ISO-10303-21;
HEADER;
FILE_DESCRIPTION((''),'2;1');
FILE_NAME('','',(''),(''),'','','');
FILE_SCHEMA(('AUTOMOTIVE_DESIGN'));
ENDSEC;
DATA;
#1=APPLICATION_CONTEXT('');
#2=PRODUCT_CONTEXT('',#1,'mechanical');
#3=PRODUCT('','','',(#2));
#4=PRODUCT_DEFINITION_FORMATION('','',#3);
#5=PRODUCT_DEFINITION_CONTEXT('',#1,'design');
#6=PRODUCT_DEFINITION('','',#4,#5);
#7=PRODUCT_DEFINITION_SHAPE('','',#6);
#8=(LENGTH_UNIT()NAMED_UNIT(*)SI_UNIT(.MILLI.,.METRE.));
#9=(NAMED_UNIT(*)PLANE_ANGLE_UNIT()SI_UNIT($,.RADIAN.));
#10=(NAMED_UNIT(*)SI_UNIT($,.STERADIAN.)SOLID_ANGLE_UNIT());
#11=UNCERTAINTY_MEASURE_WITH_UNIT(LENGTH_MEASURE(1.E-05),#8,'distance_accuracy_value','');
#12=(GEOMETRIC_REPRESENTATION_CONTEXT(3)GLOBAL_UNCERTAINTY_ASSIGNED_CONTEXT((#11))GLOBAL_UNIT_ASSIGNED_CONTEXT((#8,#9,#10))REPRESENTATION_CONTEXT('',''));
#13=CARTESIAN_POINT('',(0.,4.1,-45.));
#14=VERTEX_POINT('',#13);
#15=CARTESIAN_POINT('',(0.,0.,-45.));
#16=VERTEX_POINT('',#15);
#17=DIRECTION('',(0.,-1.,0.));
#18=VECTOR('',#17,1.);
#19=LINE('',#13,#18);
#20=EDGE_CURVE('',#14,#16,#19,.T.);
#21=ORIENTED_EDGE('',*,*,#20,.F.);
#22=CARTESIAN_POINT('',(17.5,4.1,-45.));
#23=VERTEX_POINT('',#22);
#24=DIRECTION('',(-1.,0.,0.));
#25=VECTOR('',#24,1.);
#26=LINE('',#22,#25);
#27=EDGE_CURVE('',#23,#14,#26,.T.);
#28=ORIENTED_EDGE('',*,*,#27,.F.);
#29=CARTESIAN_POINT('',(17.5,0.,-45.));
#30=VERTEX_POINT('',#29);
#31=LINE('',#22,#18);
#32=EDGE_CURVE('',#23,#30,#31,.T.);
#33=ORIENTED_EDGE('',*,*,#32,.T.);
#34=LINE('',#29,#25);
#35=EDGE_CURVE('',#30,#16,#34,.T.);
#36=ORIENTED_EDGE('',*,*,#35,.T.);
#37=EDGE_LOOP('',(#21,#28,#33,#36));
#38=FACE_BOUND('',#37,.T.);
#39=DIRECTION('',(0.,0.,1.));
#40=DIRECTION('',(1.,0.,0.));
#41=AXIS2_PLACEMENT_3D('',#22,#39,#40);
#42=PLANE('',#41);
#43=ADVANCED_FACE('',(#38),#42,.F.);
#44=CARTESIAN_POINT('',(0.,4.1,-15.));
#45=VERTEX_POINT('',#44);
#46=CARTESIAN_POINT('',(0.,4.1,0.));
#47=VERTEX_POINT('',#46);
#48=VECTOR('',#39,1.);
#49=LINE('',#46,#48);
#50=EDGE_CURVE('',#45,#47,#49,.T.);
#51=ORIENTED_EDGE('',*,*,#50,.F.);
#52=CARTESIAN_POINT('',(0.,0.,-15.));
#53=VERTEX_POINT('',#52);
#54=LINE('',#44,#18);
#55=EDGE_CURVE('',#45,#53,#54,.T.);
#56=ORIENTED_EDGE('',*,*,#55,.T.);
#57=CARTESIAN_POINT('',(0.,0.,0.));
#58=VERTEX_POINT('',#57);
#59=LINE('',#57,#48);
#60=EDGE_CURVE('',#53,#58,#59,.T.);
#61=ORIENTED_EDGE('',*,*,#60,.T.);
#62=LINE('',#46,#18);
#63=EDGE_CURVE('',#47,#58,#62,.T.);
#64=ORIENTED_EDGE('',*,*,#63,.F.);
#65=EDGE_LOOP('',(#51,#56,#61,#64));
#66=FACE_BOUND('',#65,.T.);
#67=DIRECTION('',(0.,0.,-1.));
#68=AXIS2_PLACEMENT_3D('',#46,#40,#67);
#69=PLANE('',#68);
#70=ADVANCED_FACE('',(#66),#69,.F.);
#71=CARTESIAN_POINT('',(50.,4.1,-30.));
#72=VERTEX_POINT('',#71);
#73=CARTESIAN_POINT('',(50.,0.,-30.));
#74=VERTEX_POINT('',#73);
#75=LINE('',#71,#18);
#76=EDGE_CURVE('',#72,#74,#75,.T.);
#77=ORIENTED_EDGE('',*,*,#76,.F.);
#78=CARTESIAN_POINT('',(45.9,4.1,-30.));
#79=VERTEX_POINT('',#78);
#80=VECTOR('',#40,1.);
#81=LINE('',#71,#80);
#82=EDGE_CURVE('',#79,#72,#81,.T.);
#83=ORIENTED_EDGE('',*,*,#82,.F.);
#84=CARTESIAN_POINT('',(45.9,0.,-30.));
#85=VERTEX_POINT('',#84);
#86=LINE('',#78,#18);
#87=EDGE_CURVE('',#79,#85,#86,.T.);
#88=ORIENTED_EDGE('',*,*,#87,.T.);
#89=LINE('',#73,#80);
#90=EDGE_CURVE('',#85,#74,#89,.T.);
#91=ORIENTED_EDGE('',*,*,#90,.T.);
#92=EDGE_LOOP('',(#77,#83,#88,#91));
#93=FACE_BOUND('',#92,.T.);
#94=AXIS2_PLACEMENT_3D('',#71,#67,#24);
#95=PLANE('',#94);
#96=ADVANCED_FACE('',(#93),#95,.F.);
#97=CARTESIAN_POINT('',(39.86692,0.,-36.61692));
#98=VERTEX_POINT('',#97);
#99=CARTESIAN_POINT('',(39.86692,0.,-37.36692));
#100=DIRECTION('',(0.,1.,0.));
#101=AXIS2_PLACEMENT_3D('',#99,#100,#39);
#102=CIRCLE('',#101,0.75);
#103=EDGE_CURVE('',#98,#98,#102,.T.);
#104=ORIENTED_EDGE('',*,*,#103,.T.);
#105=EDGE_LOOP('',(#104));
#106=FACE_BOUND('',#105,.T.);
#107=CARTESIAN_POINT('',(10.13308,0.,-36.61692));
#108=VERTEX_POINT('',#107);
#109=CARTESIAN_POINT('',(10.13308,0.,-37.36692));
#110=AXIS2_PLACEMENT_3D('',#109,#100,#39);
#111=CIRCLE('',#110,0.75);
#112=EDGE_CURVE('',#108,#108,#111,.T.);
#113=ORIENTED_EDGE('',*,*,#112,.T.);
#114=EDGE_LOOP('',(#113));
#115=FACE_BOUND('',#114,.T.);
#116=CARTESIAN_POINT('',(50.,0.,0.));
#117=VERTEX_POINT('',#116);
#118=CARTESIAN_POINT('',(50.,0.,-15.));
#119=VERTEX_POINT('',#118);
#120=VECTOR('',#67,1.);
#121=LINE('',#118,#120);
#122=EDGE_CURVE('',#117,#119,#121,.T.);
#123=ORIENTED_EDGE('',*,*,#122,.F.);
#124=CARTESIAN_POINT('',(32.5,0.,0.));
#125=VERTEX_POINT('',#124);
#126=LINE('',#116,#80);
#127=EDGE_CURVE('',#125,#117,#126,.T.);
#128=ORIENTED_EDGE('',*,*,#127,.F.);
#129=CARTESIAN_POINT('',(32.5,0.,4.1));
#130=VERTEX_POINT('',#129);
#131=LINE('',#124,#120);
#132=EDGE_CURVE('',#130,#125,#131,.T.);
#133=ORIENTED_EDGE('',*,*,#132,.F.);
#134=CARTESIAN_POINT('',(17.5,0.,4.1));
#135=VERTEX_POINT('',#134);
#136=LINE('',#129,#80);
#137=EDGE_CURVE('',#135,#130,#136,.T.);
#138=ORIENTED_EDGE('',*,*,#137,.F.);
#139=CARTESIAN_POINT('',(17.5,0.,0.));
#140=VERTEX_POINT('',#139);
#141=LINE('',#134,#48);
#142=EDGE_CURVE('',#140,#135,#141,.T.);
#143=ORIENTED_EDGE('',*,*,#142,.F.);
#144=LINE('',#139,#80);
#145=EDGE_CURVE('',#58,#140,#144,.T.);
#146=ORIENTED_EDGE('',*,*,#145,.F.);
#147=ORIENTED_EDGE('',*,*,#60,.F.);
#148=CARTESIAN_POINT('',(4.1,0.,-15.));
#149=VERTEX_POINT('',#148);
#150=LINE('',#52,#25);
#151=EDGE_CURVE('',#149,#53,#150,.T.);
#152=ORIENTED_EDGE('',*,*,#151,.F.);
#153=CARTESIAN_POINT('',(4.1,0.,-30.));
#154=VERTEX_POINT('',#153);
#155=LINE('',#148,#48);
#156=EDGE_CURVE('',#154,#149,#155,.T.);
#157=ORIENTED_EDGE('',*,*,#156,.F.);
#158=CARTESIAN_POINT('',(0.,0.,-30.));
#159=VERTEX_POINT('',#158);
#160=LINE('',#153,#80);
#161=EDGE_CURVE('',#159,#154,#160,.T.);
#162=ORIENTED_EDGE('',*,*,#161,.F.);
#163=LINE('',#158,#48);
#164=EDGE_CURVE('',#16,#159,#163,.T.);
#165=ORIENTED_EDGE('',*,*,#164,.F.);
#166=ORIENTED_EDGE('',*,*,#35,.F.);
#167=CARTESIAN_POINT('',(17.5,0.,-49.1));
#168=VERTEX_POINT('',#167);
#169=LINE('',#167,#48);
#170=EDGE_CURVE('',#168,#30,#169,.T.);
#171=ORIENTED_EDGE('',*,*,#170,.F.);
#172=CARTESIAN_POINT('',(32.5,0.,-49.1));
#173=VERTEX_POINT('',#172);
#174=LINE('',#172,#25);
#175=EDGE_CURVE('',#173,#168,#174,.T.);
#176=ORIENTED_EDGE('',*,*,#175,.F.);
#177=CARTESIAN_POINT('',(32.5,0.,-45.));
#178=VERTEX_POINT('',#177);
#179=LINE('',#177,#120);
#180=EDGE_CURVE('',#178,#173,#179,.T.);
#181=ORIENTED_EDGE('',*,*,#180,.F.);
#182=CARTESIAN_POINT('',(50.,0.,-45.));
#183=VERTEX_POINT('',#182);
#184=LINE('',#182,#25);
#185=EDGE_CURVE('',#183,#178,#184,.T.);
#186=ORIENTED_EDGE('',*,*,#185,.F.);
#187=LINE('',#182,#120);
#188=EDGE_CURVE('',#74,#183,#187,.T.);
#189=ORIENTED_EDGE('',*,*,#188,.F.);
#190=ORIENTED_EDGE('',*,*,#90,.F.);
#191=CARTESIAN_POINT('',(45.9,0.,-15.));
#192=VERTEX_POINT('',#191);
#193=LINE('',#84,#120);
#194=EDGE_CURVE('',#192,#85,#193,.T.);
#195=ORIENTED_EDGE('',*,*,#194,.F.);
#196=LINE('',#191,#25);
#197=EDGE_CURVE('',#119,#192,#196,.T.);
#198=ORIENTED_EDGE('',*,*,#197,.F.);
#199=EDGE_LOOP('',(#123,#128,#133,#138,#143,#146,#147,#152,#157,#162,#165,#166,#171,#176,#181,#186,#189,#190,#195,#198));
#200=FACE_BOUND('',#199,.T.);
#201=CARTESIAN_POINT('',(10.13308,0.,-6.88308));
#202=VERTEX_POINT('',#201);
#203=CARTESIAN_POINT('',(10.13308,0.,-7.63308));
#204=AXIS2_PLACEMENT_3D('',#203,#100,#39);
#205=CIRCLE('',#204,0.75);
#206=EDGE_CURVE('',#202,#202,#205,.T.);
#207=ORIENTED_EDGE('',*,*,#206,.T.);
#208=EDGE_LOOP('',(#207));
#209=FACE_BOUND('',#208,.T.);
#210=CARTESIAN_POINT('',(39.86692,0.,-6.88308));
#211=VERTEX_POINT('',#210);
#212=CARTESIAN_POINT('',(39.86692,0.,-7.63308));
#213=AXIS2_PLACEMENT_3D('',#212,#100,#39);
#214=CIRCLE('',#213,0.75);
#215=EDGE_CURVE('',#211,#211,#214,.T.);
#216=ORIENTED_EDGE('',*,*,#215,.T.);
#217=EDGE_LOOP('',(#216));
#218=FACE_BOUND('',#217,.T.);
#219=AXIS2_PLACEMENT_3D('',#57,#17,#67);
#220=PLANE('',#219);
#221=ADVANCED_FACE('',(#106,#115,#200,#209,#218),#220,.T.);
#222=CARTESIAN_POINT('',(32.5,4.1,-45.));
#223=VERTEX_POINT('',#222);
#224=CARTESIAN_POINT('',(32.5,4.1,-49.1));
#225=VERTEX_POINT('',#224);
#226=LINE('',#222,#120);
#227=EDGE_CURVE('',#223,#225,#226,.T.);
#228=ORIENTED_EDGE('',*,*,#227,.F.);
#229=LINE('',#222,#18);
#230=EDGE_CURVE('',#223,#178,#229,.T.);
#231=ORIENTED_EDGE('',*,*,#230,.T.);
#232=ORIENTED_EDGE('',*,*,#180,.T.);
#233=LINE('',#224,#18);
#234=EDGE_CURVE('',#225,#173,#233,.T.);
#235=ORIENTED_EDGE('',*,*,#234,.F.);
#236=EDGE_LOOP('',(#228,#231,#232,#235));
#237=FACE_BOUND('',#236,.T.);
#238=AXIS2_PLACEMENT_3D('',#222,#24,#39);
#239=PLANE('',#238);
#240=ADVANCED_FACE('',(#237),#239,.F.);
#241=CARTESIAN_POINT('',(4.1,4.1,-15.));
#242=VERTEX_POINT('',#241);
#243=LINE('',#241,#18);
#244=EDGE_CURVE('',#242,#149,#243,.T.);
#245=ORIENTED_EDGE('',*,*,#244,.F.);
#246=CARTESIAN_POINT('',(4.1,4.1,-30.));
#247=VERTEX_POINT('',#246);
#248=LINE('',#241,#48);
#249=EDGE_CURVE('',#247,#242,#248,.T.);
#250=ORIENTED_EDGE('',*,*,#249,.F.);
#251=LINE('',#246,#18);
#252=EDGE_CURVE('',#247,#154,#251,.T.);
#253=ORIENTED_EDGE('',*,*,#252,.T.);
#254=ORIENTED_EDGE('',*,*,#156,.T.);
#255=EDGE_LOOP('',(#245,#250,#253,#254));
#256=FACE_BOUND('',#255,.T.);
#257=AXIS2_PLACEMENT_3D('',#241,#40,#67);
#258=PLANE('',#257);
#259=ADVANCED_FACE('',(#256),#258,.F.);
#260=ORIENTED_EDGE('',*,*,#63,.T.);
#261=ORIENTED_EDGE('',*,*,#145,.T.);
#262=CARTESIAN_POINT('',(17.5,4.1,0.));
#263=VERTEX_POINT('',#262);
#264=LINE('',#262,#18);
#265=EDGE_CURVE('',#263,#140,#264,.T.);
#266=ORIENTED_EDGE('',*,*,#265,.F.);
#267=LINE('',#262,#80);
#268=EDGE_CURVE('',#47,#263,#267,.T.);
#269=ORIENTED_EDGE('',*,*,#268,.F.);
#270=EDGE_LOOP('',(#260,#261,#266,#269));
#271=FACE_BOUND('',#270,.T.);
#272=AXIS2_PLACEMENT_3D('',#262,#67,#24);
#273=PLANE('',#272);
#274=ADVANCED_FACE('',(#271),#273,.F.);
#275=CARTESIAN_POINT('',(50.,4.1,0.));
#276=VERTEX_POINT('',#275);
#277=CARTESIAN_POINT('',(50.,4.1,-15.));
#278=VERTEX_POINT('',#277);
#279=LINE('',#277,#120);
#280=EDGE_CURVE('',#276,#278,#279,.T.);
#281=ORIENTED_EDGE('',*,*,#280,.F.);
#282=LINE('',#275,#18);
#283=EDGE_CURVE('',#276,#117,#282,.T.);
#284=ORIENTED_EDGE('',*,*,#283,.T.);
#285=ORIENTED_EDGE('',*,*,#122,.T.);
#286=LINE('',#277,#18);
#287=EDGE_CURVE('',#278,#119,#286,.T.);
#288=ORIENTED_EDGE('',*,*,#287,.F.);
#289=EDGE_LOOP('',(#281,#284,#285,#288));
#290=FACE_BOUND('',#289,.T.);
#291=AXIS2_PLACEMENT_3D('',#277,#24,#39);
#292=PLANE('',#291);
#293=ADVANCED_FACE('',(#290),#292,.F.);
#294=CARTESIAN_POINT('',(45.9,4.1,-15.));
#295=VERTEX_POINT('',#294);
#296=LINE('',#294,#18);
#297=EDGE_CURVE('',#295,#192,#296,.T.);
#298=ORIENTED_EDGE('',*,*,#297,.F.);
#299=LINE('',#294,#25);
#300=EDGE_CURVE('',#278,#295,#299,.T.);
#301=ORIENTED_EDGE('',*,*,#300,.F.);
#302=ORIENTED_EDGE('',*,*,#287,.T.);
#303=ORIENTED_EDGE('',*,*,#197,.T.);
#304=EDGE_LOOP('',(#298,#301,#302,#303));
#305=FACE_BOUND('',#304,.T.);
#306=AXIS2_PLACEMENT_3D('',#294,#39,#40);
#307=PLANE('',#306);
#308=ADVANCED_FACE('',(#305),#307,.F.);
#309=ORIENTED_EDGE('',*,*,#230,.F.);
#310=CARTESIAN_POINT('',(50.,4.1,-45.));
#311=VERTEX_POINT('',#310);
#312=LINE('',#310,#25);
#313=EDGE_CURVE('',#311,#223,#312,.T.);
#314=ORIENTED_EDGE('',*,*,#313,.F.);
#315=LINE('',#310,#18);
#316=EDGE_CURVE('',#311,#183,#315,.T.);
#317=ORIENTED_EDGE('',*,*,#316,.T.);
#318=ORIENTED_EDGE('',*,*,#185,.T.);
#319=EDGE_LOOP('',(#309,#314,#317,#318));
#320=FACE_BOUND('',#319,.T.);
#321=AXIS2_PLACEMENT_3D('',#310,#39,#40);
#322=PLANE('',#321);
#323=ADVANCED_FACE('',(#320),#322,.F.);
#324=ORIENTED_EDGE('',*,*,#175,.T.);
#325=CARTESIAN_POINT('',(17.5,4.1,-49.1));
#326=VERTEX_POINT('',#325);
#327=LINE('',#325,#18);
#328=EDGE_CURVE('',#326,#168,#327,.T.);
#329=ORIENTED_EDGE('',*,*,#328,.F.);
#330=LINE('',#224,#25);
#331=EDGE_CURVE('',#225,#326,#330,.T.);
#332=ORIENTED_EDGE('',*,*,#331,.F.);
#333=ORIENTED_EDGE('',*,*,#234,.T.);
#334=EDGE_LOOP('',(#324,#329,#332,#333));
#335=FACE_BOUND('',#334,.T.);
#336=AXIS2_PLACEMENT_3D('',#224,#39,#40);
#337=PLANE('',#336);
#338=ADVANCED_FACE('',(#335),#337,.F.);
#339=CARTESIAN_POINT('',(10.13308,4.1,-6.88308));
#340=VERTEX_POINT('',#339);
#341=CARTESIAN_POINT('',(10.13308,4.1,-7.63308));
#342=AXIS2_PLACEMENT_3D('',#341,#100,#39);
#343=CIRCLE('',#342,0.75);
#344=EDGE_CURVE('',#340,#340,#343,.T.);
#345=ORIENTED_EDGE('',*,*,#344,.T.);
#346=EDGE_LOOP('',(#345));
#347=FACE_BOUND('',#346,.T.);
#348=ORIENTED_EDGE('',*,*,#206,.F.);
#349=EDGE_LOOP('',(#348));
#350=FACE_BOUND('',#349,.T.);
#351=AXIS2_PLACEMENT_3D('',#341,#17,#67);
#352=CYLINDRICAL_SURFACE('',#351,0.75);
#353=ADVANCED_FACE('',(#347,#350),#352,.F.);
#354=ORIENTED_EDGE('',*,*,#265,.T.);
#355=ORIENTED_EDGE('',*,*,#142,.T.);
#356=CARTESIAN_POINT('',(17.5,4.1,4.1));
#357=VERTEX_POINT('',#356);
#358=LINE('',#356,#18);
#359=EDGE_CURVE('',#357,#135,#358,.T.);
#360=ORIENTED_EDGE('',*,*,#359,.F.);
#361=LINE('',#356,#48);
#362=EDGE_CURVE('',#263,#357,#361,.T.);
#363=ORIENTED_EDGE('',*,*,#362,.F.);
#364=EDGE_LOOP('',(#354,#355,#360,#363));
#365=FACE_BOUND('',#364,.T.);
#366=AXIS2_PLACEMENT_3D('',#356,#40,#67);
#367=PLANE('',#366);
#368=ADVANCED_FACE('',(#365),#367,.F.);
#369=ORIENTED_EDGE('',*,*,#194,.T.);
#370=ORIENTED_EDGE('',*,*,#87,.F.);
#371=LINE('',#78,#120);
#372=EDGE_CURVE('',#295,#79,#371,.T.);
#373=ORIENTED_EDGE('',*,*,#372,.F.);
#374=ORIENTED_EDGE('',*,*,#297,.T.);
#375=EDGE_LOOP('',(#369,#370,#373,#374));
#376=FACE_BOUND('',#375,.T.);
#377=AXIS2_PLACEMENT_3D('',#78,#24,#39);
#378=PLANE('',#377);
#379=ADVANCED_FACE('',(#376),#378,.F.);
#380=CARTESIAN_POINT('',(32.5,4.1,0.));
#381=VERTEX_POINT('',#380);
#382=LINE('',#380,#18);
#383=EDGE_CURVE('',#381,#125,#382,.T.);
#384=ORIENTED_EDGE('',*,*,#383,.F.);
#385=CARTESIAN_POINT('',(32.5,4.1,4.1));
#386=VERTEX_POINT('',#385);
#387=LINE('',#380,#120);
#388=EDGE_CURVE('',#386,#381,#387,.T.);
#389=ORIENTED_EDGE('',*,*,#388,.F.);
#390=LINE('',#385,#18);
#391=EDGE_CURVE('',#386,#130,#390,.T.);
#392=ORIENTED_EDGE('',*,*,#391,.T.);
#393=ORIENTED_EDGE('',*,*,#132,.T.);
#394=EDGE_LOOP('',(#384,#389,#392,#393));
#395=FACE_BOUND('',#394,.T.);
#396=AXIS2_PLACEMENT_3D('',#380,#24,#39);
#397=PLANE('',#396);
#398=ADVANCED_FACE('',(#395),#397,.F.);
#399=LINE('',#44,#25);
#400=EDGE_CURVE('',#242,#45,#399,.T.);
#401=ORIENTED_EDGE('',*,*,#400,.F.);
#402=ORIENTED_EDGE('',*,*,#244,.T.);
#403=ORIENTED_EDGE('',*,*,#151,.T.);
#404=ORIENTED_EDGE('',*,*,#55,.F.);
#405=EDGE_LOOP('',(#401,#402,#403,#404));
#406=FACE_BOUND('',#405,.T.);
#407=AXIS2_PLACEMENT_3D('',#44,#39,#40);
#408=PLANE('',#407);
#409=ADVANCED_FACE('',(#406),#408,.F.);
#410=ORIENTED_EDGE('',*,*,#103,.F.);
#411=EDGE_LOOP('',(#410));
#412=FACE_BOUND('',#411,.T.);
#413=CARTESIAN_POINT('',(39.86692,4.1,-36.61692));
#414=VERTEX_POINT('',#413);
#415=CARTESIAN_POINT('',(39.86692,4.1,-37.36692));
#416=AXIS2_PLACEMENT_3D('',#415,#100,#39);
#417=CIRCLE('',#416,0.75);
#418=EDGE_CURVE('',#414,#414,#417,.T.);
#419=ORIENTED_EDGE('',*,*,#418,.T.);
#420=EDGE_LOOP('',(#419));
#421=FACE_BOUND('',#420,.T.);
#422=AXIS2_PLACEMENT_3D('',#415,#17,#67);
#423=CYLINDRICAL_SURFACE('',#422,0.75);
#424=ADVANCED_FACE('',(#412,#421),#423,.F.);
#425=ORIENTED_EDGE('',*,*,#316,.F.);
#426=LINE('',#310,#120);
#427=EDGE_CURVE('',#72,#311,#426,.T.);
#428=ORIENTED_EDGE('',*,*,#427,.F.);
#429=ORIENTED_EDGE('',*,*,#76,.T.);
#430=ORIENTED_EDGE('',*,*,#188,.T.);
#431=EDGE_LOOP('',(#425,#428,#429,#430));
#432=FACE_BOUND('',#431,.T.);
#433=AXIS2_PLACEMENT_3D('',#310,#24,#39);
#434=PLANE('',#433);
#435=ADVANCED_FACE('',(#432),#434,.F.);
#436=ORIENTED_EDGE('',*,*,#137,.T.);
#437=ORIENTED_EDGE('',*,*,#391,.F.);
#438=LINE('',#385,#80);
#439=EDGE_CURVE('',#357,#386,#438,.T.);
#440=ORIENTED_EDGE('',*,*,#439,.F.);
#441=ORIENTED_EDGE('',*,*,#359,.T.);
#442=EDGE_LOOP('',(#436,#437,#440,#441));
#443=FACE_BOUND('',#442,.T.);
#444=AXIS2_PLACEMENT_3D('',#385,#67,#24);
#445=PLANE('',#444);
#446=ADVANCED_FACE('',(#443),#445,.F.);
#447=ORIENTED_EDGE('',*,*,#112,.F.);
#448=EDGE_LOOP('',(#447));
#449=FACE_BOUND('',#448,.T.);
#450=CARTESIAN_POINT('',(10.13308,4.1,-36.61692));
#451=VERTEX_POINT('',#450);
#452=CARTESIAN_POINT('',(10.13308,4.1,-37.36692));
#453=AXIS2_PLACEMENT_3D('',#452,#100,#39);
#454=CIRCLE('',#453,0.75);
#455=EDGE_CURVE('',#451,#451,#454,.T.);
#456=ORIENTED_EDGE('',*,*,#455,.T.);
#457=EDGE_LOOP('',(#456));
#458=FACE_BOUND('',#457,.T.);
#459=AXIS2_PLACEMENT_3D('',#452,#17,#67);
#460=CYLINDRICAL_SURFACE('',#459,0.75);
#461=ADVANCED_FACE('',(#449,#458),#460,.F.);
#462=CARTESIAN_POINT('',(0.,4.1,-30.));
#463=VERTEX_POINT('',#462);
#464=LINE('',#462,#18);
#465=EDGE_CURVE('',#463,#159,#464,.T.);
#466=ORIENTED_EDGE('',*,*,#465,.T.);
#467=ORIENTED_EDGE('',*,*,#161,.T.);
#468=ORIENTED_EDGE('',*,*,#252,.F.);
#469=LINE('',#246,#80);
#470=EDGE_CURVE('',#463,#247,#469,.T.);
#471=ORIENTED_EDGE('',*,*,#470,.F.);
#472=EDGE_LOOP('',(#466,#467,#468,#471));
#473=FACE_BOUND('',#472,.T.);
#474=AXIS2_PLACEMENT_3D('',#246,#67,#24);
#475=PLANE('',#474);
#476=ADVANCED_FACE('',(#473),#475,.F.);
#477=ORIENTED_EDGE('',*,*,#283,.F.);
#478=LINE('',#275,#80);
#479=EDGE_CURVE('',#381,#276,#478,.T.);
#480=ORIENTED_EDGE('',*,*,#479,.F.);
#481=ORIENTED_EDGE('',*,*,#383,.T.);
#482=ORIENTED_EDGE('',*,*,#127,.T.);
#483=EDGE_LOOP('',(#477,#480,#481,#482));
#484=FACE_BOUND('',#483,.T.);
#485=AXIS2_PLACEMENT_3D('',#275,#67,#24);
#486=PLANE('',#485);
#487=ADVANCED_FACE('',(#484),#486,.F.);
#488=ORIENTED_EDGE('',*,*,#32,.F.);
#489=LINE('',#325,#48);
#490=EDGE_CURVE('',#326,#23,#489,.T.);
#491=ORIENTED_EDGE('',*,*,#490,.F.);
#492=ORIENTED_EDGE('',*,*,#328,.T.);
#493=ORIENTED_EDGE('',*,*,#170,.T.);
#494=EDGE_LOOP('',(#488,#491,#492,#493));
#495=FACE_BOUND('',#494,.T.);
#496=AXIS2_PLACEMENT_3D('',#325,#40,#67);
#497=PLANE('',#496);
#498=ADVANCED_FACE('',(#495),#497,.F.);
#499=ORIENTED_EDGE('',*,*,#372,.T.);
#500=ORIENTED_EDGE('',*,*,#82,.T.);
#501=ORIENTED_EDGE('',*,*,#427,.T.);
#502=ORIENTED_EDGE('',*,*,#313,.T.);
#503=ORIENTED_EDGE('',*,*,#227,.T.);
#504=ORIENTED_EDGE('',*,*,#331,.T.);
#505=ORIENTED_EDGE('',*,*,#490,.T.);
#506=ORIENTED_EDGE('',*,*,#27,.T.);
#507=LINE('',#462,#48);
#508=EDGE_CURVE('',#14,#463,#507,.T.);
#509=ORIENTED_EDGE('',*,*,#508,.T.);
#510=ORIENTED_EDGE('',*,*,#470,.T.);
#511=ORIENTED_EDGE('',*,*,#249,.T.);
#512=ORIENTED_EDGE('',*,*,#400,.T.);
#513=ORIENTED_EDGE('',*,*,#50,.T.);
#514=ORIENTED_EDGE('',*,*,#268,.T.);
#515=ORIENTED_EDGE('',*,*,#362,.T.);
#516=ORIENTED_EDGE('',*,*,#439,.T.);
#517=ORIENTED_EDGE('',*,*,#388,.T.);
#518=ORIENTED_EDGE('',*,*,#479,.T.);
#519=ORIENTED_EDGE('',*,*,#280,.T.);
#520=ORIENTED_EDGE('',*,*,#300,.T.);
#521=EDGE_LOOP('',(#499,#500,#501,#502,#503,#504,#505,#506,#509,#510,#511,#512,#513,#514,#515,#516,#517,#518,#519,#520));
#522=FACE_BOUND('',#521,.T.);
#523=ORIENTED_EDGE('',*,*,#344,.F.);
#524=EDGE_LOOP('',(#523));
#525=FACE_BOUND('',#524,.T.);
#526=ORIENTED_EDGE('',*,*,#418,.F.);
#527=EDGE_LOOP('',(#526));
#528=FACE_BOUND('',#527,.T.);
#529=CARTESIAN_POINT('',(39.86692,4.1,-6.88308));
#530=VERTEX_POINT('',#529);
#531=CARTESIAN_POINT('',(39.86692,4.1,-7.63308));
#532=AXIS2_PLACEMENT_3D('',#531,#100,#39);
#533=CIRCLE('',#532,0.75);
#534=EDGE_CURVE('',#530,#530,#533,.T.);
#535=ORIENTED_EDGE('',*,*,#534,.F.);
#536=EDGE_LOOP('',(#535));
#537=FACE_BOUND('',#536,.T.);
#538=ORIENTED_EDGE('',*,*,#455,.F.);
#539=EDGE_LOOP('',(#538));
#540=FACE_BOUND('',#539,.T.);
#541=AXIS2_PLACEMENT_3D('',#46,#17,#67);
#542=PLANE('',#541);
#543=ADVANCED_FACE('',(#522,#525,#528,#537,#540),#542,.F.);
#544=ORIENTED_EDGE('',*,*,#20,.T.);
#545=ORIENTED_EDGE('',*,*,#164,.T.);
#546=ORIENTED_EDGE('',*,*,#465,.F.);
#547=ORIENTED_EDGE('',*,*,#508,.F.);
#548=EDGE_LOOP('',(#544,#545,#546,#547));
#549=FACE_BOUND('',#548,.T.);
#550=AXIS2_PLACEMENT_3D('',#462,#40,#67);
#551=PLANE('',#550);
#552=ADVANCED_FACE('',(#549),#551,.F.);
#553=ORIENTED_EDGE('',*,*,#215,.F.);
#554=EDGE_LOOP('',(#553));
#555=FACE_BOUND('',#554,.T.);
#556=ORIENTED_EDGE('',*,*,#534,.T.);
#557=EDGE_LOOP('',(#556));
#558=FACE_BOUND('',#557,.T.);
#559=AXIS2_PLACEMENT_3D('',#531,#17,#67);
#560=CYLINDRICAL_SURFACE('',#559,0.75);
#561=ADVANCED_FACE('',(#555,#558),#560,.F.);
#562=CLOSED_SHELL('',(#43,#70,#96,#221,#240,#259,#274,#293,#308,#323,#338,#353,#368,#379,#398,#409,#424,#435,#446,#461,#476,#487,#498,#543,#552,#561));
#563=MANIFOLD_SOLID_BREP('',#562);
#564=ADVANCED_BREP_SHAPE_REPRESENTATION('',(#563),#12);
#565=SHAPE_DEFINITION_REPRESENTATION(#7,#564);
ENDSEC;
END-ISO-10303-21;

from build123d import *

# Parameters (mm, degrees)
SKETCH1_R           = 0.75
BOSS_EXTRUDE1_DEPTH = 4.1


with BuildPart() as part:
    # Sketch1 → Boss-Extrude1 (new body)
    with BuildSketch(Plane(origin=(0, 0, 0), x_dir=(1, 0, 0), z_dir=(0, 1, 0))):
        Polygon((0, 15), (4.1, 15), (4.1, 30), (0, 30), (0, 45), (17.5, 45), (17.5, 49.1), (32.5, 49.1), (32.5, 45), (50, 45), (50, 30), (45.9, 30), (45.9, 15), (50, 15), (50, 0), (32.5, 0), (32.5, -4.1), (17.5, -4.1), (17.5, 0), (0, 0), align=None)
        with Locations((10.133079926, 7.633079926)):
            Circle(SKETCH1_R, mode=Mode.SUBTRACT)
        with Locations((10.133079926, 37.366920074)):
            Circle(SKETCH1_R, mode=Mode.SUBTRACT)
        with Locations((39.866920074, 37.366920074)):
            Circle(SKETCH1_R, mode=Mode.SUBTRACT)
        with Locations((39.866920074, 7.633079926)):
            Circle(SKETCH1_R, mode=Mode.SUBTRACT)
    extrude(amount=BOSS_EXTRUDE1_DEPTH)


solid = part.part
